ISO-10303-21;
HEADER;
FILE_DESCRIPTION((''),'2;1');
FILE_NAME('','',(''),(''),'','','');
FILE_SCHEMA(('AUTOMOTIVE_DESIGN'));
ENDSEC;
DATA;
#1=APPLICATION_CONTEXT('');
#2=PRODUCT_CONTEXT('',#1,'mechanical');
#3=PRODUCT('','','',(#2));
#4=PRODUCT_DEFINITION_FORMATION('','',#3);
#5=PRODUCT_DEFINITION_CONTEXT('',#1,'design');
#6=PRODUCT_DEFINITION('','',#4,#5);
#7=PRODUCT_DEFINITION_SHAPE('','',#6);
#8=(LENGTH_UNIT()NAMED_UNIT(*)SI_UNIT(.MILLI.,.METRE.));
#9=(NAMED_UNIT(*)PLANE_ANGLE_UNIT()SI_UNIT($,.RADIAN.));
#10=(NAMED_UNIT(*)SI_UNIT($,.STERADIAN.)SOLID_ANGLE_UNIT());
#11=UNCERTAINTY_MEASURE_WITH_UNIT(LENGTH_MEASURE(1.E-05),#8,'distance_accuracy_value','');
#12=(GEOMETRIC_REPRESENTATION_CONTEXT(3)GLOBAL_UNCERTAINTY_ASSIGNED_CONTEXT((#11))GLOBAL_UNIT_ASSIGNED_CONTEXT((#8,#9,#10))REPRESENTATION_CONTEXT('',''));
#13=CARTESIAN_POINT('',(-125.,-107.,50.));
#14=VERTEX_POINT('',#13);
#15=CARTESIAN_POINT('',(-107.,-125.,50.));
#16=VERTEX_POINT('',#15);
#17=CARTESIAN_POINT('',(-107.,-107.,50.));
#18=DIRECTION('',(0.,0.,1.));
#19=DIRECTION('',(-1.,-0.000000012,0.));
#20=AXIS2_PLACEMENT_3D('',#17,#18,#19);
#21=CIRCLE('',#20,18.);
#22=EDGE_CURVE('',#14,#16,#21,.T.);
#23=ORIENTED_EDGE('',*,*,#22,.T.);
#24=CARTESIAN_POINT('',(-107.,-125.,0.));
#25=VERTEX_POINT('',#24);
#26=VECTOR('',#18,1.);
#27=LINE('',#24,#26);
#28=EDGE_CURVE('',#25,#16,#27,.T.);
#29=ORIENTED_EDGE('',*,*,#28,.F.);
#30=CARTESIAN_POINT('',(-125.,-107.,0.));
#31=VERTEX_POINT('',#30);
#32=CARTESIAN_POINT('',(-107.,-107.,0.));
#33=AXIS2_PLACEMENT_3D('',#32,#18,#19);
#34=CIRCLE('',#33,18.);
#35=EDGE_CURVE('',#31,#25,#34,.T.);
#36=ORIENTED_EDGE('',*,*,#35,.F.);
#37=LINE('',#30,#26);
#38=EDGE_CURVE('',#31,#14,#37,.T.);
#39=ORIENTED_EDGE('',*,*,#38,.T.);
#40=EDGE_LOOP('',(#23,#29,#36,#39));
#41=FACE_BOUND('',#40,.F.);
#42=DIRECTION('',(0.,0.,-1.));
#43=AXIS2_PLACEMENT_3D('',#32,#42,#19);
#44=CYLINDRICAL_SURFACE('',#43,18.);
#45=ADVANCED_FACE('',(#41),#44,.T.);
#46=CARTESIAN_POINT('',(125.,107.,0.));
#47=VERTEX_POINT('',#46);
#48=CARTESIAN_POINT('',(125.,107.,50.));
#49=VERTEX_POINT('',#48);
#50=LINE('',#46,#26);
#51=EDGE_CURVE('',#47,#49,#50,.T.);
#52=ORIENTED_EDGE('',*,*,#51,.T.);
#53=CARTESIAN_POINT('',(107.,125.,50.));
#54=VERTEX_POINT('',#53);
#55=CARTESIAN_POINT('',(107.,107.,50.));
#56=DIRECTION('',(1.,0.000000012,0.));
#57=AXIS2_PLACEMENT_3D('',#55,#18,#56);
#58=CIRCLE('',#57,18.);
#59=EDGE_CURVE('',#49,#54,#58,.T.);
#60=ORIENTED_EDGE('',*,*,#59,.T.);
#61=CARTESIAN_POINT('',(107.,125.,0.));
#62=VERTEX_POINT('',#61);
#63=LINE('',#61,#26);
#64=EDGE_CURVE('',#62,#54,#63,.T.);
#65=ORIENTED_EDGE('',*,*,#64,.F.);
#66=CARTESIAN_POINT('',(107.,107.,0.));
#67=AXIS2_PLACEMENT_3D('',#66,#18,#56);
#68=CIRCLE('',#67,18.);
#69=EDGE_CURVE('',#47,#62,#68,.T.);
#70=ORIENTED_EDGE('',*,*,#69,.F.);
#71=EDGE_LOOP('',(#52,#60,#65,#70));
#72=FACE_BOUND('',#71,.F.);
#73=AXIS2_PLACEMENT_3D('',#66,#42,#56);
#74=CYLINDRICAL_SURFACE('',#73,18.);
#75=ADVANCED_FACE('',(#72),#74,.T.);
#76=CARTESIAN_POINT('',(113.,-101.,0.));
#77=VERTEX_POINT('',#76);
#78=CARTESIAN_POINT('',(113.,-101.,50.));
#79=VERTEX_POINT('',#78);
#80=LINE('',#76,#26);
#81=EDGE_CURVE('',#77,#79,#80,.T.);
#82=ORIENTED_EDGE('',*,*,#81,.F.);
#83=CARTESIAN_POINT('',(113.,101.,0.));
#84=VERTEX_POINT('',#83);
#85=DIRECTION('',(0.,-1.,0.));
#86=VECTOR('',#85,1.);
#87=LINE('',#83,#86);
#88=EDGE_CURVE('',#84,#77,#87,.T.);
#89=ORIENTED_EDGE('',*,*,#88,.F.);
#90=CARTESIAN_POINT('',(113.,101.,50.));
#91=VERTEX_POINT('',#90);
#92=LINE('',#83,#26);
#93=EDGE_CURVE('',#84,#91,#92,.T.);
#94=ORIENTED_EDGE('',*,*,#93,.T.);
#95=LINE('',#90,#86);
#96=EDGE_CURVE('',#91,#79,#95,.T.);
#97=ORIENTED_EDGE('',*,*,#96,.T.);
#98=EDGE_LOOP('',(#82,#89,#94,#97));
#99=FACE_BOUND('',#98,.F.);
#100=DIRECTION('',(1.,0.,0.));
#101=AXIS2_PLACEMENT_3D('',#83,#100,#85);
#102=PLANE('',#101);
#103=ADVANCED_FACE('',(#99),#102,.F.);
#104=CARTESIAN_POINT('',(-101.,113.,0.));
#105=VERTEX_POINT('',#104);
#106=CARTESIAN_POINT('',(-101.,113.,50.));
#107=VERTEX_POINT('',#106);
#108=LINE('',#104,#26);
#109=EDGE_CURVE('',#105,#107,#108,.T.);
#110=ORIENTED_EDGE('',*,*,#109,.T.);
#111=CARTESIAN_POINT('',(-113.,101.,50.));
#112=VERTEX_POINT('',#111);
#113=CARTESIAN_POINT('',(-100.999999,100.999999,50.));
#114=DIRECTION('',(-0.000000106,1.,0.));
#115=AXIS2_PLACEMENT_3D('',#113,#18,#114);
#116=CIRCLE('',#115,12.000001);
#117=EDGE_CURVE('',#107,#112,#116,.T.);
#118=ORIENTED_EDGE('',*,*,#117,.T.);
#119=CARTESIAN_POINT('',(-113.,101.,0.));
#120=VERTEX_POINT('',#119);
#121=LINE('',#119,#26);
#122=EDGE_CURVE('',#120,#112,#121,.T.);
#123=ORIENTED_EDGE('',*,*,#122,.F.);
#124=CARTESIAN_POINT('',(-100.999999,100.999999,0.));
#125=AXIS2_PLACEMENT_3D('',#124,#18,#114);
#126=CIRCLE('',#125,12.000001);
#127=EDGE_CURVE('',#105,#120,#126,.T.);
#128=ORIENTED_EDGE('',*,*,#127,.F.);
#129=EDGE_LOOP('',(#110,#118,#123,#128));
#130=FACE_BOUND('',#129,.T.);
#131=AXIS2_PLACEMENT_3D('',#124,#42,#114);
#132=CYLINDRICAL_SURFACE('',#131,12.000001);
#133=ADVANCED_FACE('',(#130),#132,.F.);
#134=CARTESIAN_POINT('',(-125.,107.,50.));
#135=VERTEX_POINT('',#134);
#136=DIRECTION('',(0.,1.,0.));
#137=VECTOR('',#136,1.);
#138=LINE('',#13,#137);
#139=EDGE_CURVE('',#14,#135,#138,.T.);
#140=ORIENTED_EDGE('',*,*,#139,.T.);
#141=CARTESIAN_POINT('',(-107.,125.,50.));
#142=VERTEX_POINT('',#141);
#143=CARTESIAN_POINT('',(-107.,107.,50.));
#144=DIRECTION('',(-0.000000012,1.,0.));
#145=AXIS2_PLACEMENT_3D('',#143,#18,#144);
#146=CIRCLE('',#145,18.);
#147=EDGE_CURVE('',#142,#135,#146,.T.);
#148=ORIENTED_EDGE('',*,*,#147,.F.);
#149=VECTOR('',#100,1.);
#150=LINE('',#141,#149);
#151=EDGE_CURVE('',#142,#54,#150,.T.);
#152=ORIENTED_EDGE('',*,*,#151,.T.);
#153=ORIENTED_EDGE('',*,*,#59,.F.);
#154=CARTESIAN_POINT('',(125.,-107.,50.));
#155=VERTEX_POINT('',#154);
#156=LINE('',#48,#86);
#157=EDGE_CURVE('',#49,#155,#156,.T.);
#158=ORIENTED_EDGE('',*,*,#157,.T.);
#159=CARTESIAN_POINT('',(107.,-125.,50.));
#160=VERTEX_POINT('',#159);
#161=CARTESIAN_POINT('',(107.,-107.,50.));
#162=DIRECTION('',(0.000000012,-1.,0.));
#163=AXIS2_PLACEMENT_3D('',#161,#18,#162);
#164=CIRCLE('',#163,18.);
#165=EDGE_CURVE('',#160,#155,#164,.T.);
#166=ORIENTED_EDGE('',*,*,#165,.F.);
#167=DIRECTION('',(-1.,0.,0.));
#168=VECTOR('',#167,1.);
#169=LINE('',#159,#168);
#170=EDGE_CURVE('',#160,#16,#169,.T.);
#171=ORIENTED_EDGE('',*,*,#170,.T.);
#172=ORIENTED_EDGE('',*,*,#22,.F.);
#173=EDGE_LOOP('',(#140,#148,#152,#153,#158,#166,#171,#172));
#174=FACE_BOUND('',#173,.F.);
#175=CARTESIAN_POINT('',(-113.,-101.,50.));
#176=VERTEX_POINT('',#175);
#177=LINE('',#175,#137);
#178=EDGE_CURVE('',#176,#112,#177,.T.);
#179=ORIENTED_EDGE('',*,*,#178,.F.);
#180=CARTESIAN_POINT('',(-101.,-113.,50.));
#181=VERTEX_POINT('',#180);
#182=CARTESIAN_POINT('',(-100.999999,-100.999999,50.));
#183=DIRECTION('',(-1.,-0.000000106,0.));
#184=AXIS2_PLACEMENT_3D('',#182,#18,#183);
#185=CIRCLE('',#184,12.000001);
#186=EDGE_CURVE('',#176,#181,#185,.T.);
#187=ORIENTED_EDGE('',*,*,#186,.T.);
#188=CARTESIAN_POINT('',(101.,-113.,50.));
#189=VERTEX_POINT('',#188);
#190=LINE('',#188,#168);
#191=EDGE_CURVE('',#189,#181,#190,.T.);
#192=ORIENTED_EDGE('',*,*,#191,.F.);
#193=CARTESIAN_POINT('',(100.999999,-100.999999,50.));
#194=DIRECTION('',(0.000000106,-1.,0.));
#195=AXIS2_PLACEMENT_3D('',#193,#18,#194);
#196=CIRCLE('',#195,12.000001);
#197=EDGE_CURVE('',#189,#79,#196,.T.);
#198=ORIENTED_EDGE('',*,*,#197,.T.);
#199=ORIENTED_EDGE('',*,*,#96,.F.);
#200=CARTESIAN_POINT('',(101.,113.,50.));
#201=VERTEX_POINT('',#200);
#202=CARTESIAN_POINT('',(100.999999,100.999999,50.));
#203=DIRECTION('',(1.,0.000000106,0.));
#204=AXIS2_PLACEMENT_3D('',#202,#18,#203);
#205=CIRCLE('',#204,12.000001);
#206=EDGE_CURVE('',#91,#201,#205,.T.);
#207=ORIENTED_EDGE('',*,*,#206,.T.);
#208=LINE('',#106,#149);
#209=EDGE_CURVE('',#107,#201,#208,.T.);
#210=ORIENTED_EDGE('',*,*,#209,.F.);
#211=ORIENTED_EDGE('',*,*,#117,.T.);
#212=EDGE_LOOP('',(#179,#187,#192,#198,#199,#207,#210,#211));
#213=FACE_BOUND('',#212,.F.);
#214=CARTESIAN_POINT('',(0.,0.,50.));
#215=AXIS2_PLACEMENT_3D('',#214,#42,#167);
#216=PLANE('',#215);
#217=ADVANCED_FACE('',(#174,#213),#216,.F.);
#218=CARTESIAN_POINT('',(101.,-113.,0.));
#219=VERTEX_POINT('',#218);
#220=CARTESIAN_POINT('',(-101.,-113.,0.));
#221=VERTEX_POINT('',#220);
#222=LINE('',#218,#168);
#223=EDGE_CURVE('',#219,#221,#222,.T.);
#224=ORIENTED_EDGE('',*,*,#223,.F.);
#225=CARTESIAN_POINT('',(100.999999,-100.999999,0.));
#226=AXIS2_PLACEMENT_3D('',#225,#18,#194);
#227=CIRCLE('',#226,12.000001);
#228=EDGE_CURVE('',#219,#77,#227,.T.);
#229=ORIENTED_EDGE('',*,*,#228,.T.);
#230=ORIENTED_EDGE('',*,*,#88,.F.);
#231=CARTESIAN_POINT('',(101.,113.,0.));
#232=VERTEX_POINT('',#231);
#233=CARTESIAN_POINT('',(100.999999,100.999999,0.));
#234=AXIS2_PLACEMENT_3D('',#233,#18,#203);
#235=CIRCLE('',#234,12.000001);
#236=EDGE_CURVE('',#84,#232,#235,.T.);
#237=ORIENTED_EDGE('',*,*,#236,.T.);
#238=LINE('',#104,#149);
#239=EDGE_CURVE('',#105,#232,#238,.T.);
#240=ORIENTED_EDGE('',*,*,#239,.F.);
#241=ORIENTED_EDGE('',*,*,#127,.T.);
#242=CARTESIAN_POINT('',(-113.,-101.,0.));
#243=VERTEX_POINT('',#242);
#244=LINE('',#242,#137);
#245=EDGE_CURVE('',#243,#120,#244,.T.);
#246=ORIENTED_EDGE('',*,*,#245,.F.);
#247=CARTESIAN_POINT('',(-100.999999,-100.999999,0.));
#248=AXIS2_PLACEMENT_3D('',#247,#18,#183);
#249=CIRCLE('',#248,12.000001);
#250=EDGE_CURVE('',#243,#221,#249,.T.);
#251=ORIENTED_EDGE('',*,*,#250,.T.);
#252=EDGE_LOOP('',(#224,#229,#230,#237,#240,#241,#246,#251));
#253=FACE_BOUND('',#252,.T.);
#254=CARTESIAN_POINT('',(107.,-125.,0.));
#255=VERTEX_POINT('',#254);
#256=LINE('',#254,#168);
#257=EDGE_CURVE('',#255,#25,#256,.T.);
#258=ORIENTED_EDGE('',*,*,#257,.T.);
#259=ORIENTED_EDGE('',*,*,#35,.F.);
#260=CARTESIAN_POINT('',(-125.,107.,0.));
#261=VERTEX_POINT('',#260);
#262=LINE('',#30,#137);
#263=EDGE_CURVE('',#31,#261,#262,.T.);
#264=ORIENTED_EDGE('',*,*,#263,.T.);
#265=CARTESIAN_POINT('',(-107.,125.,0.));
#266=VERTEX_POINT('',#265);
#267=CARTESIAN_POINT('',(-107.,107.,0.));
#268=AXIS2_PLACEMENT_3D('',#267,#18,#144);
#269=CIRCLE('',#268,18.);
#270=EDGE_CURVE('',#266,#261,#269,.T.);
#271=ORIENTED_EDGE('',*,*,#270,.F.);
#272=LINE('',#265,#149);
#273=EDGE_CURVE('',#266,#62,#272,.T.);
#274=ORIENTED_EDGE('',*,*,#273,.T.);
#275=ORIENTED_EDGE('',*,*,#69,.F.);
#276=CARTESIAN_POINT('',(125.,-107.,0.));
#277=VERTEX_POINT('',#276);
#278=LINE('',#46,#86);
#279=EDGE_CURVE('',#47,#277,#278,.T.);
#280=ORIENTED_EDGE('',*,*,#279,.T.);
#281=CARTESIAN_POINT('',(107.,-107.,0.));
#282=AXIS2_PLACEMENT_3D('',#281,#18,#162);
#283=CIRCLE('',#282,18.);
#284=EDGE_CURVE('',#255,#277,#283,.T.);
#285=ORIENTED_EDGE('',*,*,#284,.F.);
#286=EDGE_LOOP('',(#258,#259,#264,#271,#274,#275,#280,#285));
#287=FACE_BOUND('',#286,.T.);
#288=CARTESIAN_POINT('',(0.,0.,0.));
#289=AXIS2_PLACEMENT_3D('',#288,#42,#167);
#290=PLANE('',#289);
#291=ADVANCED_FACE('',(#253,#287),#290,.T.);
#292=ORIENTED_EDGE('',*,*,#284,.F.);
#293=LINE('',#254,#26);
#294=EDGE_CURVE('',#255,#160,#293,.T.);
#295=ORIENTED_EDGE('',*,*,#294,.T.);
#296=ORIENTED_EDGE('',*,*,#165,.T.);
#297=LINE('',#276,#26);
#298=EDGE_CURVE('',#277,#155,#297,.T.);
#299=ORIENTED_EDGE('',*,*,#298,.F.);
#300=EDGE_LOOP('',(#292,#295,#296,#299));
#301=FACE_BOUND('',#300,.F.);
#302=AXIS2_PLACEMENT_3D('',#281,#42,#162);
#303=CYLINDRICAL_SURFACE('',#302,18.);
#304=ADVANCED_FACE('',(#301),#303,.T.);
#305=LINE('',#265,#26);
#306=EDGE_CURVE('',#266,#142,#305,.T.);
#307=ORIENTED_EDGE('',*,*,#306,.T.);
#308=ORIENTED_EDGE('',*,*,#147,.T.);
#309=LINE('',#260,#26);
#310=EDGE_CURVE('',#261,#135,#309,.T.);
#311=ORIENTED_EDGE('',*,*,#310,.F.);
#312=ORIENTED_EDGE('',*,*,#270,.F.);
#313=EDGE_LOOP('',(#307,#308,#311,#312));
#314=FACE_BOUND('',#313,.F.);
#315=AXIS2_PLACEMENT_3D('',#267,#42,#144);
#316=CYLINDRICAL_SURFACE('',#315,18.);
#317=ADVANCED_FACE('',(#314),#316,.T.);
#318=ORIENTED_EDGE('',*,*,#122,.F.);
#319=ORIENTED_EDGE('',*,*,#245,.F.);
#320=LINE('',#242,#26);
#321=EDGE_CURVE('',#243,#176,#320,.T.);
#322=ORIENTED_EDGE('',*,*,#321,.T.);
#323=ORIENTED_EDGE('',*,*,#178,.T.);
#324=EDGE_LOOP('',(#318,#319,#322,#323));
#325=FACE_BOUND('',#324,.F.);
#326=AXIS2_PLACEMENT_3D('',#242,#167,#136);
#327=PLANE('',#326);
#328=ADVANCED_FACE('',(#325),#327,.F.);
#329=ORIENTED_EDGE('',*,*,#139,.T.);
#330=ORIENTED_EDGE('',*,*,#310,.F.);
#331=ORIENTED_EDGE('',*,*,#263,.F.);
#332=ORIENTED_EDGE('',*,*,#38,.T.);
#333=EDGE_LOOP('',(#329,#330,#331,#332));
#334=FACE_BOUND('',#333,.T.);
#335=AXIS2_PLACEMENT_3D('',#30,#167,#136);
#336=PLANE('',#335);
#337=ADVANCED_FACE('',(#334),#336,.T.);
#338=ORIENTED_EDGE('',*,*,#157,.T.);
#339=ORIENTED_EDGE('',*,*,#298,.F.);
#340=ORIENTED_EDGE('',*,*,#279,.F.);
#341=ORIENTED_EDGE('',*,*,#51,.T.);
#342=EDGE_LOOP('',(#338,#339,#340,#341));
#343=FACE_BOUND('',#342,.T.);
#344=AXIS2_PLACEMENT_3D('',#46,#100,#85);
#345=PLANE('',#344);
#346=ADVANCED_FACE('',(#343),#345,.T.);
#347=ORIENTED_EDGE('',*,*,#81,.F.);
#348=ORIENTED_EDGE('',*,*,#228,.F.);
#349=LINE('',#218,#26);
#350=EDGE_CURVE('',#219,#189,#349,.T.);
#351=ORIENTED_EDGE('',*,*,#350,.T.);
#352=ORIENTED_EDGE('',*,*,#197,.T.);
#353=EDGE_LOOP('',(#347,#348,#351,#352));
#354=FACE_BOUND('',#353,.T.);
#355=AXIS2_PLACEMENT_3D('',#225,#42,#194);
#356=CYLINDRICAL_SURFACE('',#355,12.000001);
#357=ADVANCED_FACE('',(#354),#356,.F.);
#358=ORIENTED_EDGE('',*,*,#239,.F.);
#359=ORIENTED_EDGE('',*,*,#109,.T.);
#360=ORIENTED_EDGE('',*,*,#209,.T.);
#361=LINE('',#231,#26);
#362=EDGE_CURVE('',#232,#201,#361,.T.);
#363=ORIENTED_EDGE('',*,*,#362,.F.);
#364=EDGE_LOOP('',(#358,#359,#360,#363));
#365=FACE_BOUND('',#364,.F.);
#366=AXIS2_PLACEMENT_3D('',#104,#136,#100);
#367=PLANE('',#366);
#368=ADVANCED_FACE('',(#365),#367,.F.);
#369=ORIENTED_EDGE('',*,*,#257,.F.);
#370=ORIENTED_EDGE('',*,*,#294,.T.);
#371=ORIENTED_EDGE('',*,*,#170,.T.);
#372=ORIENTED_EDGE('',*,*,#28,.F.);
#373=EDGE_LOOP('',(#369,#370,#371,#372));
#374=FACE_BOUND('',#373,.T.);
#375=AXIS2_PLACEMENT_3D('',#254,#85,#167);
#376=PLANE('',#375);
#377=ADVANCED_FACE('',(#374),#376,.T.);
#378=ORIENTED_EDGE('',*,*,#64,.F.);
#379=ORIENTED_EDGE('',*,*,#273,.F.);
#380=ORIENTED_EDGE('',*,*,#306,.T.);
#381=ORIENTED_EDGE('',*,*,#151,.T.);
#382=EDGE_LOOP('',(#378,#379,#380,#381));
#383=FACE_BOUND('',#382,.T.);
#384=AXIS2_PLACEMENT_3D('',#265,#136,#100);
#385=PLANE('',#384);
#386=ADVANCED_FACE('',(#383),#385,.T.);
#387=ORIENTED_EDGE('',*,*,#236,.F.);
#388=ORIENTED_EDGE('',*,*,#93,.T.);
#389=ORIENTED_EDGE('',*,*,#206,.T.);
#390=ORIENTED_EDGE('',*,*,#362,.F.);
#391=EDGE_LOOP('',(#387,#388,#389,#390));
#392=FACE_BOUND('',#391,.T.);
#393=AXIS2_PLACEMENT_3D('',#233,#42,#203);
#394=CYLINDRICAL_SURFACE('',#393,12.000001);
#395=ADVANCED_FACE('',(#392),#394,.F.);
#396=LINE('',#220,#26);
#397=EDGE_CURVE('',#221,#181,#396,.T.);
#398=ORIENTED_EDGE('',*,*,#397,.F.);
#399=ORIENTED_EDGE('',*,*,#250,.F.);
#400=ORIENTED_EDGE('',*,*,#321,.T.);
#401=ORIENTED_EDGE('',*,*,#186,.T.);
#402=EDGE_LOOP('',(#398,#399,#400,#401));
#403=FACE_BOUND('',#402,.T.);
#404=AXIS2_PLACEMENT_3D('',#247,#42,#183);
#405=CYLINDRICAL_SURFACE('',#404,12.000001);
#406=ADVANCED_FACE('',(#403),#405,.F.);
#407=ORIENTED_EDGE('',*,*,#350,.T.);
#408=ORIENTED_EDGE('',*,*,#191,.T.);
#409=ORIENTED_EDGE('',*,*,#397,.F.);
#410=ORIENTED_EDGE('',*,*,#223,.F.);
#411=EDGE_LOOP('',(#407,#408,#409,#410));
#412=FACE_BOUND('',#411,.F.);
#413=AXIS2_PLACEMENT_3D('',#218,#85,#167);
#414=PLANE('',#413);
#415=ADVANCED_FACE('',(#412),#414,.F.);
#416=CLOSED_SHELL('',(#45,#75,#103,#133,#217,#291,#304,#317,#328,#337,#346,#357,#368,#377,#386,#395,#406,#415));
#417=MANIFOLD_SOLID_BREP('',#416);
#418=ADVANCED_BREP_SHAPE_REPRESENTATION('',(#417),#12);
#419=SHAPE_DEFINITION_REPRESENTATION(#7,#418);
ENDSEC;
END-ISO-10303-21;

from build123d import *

# Parameters (mm, degrees)
EXTRUDE_DEPTH = 50


with BuildPart() as part:
    # Sketch → Extrude (new body)
    with BuildSketch(Plane.XY):
        with BuildLine():
            Line((-107, 125), (107, 125))
            ThreePointArc((125, 107), (119.727922, 119.727922), (107, 125))
            Line((125, 107), (125, -107))
            ThreePointArc((107, -125), (119.727922, -119.727922), (125, -107))
            Line((107, -125), (-107, -125))
            ThreePointArc((-125, -107), (-119.727922, -119.727922), (-107, -125))
            Line((-125, -107), (-125, 107))
            ThreePointArc((-107, 125), (-119.727922, 119.727922), (-125, 107))
        make_face()
        with BuildLine():
            Line((-101, 113), (101, 113))
            ThreePointArc((113, 101), (109.485281, 109.485281), (101, 113))
            Line((113, 101), (113, -101))
            ThreePointArc((101, -113), (109.485281, -109.485281), (113, -101))
            Line((101, -113), (-101, -113))
            ThreePointArc((-113, -101), (-109.485281, -109.485281), (-101, -113))
            Line((-113, -101), (-113, 101))
            ThreePointArc((-101, 113), (-109.485281, 109.485281), (-113, 101))
        make_face(mode=Mode.SUBTRACT)
    extrude(amount=EXTRUDE_DEPTH)


solid = part.part
